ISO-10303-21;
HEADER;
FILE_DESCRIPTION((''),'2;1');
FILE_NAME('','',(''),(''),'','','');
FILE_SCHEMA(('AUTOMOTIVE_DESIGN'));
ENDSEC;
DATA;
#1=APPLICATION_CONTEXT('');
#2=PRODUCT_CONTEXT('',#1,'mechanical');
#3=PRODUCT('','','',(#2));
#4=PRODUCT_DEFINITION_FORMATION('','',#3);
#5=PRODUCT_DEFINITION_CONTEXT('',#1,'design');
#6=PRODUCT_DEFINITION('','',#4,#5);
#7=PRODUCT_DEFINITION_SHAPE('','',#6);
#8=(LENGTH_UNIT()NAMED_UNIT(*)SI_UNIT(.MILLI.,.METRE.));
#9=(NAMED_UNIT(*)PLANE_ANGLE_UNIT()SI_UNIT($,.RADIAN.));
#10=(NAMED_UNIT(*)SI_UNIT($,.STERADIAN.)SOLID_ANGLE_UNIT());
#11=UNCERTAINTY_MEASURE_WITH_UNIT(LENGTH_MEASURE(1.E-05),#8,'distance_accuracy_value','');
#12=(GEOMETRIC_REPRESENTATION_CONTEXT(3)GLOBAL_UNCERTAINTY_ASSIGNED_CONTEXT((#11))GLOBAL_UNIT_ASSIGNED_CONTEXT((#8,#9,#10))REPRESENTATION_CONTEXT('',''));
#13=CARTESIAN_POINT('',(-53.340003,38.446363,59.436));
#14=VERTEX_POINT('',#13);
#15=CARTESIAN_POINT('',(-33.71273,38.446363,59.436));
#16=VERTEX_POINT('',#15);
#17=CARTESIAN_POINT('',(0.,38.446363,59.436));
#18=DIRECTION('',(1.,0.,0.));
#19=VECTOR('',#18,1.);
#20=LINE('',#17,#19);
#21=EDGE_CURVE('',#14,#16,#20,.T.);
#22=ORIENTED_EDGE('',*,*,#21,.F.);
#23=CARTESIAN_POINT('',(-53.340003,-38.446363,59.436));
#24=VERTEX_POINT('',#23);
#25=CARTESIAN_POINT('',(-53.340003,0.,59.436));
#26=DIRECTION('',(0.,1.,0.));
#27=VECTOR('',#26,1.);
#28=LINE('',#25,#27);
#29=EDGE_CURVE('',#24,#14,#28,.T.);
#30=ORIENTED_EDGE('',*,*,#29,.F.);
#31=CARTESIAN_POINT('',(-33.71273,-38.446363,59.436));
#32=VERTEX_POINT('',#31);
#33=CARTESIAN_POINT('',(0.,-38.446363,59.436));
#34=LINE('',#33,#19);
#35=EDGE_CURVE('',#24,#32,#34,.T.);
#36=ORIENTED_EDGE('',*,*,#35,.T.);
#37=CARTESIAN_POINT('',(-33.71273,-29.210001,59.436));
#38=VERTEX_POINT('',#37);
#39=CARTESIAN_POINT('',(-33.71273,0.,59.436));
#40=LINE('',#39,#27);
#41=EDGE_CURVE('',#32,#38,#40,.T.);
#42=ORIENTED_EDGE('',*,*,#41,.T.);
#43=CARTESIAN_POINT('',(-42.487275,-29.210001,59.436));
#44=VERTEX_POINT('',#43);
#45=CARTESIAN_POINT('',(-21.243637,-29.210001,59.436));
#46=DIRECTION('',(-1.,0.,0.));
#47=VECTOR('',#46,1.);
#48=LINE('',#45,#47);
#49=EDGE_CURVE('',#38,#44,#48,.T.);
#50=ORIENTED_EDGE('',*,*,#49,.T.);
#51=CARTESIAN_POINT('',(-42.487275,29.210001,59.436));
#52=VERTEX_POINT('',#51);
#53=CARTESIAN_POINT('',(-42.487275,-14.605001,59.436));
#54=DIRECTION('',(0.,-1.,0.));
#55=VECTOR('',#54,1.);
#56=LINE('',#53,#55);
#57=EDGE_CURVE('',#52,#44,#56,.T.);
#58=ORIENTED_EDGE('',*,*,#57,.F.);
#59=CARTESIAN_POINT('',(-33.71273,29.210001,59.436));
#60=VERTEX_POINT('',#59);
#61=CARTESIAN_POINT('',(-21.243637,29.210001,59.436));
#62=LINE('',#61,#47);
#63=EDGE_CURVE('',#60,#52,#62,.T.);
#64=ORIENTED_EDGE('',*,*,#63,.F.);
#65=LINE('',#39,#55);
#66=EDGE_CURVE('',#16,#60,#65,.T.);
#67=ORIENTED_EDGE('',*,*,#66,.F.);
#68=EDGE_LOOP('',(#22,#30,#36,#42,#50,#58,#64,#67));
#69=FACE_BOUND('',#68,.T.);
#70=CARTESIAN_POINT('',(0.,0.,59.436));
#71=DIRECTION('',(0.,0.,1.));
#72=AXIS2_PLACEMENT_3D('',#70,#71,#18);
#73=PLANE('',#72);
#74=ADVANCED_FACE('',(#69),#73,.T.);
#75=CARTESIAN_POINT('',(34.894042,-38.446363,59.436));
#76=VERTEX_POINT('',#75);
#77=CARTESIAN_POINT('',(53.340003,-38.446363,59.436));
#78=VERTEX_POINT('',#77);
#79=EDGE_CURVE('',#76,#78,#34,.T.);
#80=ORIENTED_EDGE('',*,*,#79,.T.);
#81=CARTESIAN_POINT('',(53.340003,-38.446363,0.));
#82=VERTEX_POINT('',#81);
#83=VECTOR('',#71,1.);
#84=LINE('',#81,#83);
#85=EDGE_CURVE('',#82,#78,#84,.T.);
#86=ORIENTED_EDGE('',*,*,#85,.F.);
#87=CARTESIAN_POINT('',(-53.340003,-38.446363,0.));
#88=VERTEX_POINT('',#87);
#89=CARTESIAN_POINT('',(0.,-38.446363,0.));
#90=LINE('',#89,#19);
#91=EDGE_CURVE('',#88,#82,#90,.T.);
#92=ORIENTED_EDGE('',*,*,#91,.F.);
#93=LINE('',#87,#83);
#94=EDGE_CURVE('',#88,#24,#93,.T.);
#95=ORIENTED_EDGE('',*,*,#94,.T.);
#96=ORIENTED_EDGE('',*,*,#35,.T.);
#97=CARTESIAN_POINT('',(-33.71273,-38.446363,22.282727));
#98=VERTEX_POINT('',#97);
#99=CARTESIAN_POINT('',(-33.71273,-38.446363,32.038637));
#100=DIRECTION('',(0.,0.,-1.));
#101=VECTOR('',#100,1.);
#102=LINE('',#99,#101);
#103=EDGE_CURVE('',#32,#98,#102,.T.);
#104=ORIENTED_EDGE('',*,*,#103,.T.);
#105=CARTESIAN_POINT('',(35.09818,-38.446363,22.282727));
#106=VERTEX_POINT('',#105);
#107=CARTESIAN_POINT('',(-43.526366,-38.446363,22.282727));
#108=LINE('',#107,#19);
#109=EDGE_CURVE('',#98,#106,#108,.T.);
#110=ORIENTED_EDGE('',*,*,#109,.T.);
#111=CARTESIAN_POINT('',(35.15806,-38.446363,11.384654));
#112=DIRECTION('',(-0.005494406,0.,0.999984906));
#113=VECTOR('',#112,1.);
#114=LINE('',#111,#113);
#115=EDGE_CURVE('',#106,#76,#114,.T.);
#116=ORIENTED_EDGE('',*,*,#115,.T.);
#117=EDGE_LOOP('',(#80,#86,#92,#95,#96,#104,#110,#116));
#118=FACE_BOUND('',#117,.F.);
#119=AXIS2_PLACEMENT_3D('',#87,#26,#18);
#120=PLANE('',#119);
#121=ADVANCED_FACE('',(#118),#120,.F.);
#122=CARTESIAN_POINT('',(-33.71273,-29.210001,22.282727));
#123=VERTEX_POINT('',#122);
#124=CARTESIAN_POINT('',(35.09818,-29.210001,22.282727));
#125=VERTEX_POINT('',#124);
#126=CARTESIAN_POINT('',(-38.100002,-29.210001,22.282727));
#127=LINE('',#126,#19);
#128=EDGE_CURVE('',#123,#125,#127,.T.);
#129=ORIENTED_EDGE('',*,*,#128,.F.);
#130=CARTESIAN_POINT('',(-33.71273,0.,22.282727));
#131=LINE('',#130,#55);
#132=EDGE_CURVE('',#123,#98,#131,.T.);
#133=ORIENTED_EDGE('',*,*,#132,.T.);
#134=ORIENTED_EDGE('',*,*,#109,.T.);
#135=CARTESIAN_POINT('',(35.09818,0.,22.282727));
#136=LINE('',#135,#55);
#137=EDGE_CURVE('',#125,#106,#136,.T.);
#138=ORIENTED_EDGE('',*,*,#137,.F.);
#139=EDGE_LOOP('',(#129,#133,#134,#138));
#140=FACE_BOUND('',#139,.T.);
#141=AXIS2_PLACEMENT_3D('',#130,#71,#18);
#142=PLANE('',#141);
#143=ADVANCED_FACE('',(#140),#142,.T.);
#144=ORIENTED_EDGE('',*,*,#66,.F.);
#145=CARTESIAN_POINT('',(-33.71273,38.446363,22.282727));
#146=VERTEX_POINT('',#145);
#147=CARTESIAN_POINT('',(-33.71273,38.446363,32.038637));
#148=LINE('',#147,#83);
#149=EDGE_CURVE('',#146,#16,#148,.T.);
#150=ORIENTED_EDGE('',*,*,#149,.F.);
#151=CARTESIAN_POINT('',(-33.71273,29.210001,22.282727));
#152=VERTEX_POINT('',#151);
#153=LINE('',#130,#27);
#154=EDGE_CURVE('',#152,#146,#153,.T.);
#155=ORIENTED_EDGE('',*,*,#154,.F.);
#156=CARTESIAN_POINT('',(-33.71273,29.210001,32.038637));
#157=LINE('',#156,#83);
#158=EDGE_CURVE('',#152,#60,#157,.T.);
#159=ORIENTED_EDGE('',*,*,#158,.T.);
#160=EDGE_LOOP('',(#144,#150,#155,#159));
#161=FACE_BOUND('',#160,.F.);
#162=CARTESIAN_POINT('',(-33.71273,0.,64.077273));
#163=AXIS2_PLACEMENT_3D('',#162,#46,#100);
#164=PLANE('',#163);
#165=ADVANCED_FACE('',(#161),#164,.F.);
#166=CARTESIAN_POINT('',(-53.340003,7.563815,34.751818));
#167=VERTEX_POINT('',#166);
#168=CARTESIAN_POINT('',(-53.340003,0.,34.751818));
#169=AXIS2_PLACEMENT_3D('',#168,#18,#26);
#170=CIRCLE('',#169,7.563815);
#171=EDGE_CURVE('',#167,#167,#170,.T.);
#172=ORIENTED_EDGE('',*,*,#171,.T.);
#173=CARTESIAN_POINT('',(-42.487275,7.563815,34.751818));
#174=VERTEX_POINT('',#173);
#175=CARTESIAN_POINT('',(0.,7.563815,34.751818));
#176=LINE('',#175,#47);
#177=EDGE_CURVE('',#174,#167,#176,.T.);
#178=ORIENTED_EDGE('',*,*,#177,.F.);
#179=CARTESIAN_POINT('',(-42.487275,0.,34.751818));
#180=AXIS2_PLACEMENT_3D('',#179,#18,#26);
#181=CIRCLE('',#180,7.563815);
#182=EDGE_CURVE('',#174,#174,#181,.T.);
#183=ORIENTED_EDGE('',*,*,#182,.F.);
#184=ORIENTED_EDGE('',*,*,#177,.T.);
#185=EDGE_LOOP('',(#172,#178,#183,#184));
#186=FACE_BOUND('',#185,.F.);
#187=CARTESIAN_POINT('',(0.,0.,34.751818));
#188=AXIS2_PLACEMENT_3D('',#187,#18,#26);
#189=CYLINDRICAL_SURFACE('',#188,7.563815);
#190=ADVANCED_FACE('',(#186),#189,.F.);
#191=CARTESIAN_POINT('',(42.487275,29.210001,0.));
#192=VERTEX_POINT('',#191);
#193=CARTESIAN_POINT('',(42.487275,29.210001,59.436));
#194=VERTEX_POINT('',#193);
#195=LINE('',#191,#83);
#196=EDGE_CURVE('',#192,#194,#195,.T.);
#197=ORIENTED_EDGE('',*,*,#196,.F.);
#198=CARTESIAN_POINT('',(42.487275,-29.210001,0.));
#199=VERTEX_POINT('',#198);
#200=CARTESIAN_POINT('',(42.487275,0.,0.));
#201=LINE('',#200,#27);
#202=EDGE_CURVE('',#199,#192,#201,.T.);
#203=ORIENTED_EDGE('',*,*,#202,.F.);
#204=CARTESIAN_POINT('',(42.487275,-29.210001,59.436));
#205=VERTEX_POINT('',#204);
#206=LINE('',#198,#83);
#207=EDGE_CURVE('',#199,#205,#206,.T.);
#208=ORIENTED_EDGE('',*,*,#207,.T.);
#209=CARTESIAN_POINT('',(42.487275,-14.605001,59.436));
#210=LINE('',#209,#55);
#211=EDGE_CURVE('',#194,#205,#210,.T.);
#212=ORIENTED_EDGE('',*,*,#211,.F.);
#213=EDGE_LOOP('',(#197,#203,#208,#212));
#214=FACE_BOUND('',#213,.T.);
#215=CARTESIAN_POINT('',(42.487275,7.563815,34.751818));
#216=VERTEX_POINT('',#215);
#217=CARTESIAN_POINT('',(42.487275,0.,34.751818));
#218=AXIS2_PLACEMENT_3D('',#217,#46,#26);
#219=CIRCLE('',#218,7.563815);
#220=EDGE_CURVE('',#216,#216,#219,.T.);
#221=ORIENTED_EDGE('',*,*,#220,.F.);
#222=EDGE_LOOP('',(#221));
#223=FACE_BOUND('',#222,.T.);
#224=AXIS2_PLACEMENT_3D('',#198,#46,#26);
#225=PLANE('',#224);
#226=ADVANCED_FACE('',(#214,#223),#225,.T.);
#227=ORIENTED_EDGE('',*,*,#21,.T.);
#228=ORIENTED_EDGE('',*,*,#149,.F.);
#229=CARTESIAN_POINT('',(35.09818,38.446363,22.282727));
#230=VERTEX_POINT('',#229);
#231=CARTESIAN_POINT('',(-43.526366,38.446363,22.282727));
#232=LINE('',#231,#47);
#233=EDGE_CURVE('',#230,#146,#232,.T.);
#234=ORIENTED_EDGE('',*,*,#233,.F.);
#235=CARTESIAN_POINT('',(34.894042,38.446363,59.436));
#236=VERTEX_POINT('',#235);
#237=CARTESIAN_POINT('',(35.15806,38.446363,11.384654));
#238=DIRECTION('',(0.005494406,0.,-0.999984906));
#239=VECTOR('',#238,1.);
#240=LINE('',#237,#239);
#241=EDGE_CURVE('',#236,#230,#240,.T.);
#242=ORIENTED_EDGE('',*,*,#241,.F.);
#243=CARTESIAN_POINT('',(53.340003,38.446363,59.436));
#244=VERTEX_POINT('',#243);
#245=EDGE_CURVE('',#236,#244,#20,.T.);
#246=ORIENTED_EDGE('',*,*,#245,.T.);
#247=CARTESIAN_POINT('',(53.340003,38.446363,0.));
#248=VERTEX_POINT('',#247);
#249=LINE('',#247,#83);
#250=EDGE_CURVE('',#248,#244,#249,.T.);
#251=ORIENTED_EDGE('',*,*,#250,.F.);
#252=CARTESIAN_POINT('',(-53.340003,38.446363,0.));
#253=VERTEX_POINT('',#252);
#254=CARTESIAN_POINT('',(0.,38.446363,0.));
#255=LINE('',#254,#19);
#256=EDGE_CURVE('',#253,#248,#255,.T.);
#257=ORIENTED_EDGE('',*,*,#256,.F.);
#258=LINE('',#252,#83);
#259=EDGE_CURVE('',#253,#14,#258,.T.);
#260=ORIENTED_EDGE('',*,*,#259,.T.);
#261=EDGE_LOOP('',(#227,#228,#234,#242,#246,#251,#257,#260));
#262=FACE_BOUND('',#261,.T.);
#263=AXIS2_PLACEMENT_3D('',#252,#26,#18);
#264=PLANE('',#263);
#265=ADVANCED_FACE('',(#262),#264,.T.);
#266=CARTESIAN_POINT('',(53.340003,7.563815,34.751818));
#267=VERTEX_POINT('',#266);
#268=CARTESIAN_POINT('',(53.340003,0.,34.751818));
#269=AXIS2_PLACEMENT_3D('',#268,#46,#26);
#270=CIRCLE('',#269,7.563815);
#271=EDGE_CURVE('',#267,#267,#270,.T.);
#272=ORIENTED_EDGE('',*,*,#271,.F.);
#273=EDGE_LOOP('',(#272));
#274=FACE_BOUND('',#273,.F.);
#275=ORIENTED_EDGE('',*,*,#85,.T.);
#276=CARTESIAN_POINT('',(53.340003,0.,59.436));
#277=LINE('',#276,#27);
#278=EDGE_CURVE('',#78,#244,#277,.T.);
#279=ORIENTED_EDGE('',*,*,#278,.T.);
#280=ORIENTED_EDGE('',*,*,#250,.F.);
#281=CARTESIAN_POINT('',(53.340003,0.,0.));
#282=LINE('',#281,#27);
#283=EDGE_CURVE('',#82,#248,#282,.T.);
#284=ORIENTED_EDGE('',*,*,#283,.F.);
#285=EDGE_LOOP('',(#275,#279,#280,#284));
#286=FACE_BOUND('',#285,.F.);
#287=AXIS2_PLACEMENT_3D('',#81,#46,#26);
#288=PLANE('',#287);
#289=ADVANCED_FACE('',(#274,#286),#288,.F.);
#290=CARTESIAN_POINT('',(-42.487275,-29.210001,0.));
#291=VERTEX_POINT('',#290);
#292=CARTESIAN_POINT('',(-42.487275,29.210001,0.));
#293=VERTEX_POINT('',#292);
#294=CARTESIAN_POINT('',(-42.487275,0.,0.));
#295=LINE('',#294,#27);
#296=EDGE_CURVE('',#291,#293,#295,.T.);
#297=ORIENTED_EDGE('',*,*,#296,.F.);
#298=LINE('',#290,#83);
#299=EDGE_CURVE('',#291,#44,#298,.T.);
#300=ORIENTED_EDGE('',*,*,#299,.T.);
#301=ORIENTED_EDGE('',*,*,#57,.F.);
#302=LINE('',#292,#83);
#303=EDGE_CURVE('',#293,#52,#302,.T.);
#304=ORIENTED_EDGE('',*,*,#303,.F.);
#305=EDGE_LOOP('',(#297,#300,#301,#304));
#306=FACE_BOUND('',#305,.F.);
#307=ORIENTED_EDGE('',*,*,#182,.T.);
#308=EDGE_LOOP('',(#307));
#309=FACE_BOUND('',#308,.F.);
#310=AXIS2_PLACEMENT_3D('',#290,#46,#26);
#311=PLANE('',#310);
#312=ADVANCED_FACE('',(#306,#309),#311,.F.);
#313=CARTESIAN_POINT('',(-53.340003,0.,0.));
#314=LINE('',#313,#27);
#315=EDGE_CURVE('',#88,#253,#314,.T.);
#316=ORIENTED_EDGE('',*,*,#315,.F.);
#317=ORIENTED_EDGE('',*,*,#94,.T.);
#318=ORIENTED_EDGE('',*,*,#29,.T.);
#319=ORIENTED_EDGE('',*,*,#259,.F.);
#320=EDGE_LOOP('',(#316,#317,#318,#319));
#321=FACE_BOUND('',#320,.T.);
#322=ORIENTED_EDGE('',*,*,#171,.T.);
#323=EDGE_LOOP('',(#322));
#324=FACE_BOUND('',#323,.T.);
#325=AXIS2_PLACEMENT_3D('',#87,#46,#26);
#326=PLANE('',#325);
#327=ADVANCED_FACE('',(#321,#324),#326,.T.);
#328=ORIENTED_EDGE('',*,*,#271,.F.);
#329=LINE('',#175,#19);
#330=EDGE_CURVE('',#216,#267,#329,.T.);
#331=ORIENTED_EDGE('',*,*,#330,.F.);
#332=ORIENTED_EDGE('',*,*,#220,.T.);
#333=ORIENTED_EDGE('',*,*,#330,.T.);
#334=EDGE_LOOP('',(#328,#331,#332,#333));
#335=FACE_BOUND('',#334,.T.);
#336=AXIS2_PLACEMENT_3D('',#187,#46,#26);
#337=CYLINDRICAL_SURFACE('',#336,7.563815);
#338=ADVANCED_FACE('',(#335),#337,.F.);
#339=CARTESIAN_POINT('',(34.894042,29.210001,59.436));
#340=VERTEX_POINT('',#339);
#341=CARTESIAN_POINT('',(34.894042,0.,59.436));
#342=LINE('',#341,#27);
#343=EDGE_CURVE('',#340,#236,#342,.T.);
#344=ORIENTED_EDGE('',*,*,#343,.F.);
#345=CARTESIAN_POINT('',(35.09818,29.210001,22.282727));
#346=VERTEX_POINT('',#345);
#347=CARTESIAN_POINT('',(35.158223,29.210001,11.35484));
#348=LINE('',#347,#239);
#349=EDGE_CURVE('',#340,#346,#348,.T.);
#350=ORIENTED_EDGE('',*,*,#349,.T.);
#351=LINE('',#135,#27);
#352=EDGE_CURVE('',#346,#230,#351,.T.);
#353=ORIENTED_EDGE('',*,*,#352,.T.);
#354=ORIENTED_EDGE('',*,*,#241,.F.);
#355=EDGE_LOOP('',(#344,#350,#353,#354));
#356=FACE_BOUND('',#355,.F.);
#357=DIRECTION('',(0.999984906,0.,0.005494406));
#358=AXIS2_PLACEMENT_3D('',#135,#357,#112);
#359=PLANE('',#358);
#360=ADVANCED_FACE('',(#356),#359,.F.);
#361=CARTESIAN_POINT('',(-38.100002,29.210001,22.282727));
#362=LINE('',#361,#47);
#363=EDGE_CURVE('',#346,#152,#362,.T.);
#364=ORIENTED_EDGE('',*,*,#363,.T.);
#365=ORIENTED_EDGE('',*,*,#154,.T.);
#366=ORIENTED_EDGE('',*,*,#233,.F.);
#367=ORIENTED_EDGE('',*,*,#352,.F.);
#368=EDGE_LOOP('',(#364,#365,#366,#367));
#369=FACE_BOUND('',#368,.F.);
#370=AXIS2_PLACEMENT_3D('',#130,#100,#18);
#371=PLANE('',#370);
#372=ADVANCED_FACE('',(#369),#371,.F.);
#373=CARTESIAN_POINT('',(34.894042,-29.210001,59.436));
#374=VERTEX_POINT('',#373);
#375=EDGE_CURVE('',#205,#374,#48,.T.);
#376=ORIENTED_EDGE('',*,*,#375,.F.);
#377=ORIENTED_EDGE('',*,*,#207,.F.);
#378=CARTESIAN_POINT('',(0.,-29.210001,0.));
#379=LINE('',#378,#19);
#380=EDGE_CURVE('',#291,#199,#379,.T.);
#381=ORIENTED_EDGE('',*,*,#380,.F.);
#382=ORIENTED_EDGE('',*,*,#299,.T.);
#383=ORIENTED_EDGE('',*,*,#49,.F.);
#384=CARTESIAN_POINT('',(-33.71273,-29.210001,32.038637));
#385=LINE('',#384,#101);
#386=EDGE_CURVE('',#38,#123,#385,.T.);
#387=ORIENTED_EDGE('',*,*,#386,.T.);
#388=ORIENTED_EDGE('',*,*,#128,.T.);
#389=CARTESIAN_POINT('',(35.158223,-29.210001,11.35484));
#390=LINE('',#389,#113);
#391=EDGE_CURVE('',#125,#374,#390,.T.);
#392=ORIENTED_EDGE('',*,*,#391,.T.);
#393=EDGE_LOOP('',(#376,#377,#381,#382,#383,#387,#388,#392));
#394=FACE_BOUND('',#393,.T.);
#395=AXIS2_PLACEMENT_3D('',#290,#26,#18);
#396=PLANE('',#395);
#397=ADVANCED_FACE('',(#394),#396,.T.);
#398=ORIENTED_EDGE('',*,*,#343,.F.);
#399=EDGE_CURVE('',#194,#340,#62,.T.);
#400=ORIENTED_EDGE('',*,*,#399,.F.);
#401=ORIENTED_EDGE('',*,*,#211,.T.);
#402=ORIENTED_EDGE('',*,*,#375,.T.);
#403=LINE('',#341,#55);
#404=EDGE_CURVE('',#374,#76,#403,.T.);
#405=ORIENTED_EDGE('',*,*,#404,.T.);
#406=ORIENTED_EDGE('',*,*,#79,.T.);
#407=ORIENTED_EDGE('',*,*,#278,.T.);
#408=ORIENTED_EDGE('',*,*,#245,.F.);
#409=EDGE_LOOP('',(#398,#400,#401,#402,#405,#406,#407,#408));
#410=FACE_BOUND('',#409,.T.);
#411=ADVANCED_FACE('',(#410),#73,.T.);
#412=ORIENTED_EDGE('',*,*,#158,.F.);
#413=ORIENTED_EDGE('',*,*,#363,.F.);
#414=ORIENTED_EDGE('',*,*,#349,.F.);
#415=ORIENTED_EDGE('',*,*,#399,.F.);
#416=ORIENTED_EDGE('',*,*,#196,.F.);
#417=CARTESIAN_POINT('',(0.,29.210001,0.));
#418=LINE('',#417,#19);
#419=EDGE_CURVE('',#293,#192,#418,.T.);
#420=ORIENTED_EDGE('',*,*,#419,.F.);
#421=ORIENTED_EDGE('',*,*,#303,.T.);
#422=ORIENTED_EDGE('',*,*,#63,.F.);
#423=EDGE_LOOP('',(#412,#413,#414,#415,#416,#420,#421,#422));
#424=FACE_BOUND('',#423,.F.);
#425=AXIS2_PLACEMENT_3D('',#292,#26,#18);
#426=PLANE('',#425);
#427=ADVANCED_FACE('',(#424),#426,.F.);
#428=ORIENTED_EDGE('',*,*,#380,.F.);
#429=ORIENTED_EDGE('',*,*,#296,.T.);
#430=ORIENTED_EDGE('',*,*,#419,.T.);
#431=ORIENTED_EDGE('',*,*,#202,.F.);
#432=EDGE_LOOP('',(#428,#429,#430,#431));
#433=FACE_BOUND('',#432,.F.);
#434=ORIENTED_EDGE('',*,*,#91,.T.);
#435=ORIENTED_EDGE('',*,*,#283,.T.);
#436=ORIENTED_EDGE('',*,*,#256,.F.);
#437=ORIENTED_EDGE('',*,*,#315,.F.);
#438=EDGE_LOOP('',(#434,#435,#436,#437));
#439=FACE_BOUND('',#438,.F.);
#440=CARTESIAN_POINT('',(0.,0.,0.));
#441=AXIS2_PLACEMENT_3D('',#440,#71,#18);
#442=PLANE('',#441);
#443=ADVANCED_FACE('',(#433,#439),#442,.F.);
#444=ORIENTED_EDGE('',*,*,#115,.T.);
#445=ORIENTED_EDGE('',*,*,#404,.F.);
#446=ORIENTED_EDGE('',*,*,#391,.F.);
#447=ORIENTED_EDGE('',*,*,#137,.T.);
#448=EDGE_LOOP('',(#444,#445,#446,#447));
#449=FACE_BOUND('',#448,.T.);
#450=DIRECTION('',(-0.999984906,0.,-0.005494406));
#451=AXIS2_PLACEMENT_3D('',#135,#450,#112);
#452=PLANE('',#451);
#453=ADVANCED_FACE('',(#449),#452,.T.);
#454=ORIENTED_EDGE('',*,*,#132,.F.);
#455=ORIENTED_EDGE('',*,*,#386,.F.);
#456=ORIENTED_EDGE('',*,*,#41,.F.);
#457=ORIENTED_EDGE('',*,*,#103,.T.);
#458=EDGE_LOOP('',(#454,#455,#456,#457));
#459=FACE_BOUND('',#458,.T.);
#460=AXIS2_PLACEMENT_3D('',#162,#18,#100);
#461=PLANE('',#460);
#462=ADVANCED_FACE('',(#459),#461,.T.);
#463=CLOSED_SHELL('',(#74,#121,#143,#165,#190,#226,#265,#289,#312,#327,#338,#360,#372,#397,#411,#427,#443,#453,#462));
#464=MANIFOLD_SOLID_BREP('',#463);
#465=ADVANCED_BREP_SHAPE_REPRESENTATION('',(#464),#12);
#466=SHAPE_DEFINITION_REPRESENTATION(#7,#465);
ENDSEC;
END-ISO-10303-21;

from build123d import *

# Parameters (mm, degrees)
F0_W          = 106.6800057888
F0_H          = 76.8927261233
F1_DEPTH      = 59.436
F2_W          = 84.9745497108
F2_H          = 58.4200024605
F3_DEPTH      = 59.437
F5_DEPTH      = 80.772
F5_DEPTH_BACK = 74.422
F6_R          = 7.5638145865
F7_DEPTH      = 66.548
F7_DEPTH_BACK = 73.152


with BuildPart() as f1:
    # F0 (on Top) → F1 (new body)
    with BuildSketch(Plane.XY):
        Rectangle(F0_W, F0_H)
    extrude(amount=F1_DEPTH)

    # F2 (on Top) → F3 (cut, through all)
    with BuildSketch(Plane.XY):
        Rectangle(F2_W, F2_H)
    extrude(amount=F3_DEPTH, mode=Mode.SUBTRACT)

    # F4 (on Front) → F5 (cut, two sides)
    with BuildSketch(Plane.XZ) as f5_sk:
        Polygon((34.867271781, 64.3081814051), (-33.7127298117, 64.0772730112), (-33.7127298117, 22.2827270627), (35.0981801748, 22.2827270627), align=None)
    extrude(amount=F5_DEPTH, mode=Mode.SUBTRACT)
    extrude(f5_sk.sketch, amount=-F5_DEPTH_BACK, mode=Mode.SUBTRACT)

    # F6 (on Right) → F7 (cut, two sides)
    with BuildSketch(Plane.YZ) as f7_sk:
        with Locations((0, 34.751817584)):
            Circle(F6_R)
    extrude(amount=-F7_DEPTH, mode=Mode.SUBTRACT)
    extrude(f7_sk.sketch, amount=F7_DEPTH_BACK, mode=Mode.SUBTRACT)


solid = f1.part
